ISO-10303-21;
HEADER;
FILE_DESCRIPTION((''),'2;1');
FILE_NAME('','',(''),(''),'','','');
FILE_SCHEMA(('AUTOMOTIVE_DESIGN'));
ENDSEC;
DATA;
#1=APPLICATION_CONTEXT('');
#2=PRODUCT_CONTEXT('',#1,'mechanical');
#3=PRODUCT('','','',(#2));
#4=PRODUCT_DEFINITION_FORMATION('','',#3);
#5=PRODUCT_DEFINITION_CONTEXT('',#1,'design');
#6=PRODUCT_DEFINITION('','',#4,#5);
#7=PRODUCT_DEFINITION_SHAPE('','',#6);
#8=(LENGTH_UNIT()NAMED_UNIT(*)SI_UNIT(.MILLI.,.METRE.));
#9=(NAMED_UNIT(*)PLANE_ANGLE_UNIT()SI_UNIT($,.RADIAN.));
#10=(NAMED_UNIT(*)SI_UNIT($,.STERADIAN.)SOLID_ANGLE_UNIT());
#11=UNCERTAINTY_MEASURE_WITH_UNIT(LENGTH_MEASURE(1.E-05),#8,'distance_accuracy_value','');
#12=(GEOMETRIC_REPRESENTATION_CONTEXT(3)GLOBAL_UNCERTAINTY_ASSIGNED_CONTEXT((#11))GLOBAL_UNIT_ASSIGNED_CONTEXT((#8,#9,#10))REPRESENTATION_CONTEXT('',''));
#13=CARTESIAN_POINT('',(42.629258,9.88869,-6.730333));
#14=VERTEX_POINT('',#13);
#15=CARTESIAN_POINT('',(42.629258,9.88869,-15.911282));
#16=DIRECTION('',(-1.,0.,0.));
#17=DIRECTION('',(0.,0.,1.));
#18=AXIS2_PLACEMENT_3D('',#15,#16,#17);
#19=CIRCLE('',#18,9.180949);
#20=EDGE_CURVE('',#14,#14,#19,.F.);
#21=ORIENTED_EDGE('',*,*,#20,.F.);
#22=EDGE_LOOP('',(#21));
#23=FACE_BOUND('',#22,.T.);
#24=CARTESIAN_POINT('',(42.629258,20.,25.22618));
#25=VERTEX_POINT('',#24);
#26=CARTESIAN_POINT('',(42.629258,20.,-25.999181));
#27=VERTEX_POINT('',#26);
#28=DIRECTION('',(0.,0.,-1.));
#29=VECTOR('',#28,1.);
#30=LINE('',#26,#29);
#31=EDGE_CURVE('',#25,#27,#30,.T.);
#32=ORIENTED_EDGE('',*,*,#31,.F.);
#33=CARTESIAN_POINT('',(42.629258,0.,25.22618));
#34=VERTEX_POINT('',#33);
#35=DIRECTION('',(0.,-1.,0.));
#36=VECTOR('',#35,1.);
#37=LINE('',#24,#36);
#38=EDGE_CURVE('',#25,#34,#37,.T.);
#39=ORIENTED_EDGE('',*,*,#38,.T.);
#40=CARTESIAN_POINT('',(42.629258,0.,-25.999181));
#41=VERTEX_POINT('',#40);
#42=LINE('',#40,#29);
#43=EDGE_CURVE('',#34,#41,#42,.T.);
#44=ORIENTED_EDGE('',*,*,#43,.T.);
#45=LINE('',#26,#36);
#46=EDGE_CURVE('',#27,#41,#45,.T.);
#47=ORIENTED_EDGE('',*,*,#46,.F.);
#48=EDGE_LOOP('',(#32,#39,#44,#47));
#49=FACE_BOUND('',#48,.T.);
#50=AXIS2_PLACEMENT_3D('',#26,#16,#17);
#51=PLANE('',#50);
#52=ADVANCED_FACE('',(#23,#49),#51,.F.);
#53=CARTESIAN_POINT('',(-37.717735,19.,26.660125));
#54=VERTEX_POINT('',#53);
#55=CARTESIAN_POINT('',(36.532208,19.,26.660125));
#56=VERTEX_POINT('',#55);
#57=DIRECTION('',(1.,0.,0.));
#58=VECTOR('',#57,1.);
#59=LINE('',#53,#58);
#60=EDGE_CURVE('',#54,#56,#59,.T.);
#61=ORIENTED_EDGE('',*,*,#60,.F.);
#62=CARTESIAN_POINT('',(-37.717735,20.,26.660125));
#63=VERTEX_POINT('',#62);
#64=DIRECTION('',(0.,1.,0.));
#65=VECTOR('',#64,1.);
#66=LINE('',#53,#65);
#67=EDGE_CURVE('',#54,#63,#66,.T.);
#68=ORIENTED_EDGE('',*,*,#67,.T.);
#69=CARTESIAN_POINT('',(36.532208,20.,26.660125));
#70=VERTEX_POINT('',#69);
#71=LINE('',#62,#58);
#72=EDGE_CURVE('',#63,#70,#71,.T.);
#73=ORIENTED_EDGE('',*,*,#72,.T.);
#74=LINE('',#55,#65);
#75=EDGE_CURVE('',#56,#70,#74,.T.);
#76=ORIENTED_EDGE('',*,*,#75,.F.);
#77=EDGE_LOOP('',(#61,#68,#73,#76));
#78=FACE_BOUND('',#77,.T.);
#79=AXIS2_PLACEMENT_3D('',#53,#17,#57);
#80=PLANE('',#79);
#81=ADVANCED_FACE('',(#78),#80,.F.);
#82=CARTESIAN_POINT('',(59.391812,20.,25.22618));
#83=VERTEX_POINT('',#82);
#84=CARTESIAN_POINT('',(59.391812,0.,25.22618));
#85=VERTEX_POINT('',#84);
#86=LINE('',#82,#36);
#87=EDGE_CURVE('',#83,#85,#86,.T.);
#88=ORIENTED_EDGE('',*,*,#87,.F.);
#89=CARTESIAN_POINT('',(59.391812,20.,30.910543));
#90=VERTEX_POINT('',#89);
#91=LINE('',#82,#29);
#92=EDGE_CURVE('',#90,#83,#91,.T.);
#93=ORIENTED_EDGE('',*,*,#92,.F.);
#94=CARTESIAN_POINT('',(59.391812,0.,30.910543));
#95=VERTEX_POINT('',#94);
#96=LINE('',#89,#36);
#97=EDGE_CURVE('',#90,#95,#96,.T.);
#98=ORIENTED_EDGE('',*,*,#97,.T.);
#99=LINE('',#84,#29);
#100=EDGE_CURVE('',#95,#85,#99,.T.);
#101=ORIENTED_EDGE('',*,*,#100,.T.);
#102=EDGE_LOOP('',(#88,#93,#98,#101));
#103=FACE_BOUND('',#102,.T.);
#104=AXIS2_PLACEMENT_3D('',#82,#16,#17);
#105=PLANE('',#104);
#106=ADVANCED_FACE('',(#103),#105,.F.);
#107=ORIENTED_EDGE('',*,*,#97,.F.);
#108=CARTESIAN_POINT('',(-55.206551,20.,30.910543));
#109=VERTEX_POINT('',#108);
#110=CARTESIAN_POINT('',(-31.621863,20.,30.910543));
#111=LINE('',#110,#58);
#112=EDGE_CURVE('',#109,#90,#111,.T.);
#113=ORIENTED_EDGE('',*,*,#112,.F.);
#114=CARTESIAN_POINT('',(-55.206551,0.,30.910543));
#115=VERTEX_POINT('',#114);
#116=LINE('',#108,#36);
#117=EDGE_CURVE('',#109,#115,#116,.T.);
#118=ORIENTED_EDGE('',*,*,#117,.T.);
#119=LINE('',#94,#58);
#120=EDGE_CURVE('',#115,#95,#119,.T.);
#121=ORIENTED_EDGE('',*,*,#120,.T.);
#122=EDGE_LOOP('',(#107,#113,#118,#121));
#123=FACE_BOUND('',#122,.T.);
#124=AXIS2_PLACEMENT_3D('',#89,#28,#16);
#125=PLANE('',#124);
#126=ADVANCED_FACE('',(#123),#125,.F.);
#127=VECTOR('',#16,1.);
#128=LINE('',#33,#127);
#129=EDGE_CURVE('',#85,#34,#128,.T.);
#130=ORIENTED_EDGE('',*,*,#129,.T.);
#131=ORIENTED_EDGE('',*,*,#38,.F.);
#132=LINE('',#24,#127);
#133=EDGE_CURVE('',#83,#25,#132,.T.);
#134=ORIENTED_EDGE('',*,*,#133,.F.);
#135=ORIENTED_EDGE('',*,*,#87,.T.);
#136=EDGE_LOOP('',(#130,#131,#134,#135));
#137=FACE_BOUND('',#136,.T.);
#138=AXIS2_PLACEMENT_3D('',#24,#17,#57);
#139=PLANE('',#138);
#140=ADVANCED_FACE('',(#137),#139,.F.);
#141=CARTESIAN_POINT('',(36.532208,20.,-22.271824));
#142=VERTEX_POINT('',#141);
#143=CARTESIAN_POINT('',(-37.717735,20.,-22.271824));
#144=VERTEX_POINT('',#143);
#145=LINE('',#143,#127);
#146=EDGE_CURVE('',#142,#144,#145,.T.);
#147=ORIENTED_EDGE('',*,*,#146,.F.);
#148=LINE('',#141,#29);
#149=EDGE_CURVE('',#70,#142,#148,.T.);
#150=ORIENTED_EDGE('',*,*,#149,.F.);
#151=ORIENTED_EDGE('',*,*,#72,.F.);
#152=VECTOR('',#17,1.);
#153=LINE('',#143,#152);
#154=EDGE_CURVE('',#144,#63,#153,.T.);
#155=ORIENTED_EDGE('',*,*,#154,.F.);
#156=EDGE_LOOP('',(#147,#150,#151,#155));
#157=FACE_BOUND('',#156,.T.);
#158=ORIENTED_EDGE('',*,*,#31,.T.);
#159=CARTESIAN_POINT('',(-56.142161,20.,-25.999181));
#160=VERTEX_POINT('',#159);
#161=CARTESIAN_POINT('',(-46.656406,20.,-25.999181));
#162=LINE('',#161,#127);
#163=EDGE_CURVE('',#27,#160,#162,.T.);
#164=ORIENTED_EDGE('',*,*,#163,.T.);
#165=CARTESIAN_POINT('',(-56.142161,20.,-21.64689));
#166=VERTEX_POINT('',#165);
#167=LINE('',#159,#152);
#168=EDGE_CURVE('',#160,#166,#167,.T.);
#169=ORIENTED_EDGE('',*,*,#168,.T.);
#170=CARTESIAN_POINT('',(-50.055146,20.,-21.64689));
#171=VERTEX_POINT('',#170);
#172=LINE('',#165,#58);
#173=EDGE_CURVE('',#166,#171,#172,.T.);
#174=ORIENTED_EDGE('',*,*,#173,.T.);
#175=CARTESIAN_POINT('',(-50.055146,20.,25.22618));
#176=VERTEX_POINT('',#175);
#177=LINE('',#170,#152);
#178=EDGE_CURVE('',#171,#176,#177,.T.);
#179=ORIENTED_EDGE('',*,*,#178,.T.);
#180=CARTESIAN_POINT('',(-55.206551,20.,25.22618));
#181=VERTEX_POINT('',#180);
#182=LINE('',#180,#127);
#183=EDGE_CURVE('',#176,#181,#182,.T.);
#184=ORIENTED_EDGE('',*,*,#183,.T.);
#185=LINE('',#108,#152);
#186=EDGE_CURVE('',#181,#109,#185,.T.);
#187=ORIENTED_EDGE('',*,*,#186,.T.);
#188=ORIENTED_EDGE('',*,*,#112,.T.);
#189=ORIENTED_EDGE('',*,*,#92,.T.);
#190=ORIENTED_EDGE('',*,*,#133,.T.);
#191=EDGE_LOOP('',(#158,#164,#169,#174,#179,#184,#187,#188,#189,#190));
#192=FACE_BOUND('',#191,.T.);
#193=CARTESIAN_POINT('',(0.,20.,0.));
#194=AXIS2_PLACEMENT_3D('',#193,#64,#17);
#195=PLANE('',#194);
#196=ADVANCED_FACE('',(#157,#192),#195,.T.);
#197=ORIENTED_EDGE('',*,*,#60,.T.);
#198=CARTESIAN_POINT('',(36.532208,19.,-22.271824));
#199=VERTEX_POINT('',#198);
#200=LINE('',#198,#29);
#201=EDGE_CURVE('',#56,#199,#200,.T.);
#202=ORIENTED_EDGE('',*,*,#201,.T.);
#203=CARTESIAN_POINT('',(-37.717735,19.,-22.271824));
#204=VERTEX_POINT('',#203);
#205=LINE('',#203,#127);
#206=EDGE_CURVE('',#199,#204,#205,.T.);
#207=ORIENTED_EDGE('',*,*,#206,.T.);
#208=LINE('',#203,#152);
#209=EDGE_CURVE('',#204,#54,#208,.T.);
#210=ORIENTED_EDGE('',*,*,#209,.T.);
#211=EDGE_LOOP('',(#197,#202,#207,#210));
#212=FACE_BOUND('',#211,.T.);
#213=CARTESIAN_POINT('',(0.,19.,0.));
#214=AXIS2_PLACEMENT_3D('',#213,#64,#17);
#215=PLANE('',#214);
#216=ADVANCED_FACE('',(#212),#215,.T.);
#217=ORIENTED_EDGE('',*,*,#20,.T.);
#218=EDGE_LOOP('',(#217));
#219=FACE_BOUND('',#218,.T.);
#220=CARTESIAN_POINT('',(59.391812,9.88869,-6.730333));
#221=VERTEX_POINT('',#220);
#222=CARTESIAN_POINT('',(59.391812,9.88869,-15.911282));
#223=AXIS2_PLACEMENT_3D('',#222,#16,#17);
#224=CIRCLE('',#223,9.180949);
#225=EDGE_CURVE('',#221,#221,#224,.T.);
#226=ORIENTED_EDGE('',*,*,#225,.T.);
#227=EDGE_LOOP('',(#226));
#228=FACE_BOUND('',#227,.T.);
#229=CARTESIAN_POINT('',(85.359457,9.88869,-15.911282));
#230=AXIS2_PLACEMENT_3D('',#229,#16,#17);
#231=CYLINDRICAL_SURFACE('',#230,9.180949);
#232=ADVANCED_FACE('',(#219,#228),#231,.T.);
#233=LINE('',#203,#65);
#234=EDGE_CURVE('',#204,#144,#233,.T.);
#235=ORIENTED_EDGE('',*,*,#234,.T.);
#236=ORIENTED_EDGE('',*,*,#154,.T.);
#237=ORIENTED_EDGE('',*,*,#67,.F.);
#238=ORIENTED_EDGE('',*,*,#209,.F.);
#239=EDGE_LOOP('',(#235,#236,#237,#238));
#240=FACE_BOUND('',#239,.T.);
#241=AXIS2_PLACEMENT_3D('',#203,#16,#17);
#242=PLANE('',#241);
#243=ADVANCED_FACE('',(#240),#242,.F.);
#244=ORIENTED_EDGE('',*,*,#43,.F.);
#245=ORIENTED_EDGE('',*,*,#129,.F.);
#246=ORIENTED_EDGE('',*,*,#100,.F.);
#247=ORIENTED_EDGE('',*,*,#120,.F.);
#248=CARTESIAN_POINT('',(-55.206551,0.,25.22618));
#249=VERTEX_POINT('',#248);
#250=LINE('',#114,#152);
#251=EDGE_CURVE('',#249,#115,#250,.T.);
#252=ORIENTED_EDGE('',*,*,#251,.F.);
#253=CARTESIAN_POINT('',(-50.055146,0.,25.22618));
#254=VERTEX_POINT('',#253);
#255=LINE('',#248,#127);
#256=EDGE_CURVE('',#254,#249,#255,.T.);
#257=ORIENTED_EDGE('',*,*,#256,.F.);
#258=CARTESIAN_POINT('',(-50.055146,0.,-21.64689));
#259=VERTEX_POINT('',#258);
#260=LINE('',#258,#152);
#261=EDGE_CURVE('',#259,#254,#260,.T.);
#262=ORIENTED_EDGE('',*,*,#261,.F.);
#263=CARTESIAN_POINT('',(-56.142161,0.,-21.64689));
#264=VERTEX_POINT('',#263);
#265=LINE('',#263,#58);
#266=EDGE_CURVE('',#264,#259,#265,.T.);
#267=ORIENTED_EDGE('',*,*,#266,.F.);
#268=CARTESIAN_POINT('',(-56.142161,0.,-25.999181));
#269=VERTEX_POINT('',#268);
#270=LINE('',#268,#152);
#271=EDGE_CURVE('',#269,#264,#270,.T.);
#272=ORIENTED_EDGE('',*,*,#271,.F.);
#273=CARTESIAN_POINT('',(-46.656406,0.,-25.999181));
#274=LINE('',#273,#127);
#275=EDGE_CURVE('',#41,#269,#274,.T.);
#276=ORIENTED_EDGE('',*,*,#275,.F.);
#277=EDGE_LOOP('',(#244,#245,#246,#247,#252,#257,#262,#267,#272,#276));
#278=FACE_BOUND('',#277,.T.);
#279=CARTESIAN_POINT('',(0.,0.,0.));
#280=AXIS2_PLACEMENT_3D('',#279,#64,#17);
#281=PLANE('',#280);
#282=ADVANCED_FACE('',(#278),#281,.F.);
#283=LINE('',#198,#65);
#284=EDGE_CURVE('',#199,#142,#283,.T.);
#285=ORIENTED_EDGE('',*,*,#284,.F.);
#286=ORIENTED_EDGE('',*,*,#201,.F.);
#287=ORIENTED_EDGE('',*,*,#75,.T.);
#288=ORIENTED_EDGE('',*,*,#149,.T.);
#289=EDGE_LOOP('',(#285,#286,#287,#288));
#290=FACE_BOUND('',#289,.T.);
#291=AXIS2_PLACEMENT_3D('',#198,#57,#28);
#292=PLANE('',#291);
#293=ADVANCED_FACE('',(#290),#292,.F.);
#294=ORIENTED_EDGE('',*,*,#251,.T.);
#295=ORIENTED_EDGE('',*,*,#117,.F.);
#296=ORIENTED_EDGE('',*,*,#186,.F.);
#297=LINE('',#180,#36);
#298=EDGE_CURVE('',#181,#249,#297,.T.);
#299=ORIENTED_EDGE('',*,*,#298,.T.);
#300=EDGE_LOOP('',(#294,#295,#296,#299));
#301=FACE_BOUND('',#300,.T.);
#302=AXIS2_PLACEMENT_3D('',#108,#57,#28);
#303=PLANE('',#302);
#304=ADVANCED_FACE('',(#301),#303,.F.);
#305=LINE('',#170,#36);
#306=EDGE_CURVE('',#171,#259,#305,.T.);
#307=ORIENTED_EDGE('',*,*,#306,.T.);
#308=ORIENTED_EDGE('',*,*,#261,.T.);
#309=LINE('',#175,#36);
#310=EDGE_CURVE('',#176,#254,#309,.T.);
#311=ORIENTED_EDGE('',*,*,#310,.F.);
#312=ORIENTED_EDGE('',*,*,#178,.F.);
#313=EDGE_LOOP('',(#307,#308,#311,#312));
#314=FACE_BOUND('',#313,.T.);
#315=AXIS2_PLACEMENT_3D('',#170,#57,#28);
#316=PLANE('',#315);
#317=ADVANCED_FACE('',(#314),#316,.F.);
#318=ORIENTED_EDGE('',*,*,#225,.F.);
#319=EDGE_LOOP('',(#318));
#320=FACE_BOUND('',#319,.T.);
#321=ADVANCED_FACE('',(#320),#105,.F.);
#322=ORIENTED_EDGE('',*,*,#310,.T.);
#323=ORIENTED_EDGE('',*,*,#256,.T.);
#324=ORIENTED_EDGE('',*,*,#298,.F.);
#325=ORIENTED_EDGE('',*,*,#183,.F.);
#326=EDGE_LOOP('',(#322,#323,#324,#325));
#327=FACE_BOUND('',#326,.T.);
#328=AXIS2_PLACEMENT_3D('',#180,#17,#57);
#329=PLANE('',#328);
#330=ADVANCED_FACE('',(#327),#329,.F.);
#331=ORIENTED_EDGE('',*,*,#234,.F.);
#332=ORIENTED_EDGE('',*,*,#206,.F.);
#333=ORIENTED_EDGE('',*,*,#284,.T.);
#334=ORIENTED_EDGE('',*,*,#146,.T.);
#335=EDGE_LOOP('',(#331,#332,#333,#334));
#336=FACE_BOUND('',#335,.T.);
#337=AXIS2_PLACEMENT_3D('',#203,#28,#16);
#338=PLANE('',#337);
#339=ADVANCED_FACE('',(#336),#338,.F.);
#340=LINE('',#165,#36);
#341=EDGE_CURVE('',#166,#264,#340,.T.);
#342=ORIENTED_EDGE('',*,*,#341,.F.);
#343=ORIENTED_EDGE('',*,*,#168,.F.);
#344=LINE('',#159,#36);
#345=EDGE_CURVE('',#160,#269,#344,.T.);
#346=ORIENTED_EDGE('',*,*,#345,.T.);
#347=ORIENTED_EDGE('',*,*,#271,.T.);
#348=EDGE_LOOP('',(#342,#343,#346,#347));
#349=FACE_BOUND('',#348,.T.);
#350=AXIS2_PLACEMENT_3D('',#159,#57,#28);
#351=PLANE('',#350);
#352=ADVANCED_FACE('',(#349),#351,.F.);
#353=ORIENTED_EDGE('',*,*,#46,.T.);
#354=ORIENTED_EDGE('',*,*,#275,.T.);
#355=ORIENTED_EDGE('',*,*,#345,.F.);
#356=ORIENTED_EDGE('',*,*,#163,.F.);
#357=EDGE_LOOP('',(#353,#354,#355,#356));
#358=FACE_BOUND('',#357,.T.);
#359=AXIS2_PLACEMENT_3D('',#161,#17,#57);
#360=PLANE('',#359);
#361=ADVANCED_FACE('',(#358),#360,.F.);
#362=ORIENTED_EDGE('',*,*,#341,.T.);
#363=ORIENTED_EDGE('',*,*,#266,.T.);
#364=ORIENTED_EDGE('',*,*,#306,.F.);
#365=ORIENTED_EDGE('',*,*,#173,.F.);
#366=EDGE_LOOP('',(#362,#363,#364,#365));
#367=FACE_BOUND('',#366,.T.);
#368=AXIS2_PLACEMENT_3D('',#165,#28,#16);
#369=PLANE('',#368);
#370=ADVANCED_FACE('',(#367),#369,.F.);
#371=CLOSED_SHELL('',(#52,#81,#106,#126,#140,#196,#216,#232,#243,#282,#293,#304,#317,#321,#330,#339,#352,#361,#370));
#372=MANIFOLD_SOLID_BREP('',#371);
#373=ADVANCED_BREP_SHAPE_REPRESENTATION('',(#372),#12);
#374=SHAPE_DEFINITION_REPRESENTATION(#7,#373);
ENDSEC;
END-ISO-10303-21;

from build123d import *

# Parameters (mm, degrees)
BOSS_EXTRUDE1_DEPTH = 20
SKETCH2_R           = 9.180948857
BOSS_EXTRUDE2_DEPTH = 16.762555
SKETCH3_W           = 74.249943047
SKETCH3_H           = 48.931949377
CUT_EXTRUDE1_DEPTH  = 1


with BuildPart() as part:
    # Sketch1 → Boss-Extrude1 (new body)
    with BuildSketch(Plane(origin=(0, 0, 0), x_dir=(1, 0, 0), z_dir=(0, 1, 0))):
        Polygon((-50.055146164, 21.646889896), (-50.055146164, -25.226179967), (-55.206550944, -25.226179967), (-55.206550944, -30.910542614), (-31.621863062, -30.910542614), (17.979762571, -30.910542614), (59.391812496, -30.910542614), (59.391812496, -25.226179967), (42.62925771, -25.226179967), (42.62925771, 25.999180786), (-46.65640648, 25.999180786), (-56.142161298, 25.999180786), (-56.142161298, 21.646889896), align=None)
    extrude(amount=BOSS_EXTRUDE1_DEPTH)

    # Sketch2 → Boss-Extrude2 (add)
    with BuildSketch(Plane(origin=(42.62925771, 0, 0), x_dir=(0, 0, -1), z_dir=(1, 0, 0))):
        with Locations(Location((15.911282323, 9.888690044, 0), (0, 0, 180))):  # turned: the seam where the file's is
            Circle(SKETCH2_R)
    extrude(amount=BOSS_EXTRUDE2_DEPTH)

    # Sketch3 → Cut-Extrude1 (cut)
    with BuildSketch(Plane(origin=(0, 20, 0), x_dir=(1, 0, 0), z_dir=(0, 1, 0))):
        with Locations((-0.592763324, -2.194150519)):
            Rectangle(SKETCH3_W, SKETCH3_H)
    extrude(amount=-CUT_EXTRUDE1_DEPTH, mode=Mode.SUBTRACT)


solid = part.part
